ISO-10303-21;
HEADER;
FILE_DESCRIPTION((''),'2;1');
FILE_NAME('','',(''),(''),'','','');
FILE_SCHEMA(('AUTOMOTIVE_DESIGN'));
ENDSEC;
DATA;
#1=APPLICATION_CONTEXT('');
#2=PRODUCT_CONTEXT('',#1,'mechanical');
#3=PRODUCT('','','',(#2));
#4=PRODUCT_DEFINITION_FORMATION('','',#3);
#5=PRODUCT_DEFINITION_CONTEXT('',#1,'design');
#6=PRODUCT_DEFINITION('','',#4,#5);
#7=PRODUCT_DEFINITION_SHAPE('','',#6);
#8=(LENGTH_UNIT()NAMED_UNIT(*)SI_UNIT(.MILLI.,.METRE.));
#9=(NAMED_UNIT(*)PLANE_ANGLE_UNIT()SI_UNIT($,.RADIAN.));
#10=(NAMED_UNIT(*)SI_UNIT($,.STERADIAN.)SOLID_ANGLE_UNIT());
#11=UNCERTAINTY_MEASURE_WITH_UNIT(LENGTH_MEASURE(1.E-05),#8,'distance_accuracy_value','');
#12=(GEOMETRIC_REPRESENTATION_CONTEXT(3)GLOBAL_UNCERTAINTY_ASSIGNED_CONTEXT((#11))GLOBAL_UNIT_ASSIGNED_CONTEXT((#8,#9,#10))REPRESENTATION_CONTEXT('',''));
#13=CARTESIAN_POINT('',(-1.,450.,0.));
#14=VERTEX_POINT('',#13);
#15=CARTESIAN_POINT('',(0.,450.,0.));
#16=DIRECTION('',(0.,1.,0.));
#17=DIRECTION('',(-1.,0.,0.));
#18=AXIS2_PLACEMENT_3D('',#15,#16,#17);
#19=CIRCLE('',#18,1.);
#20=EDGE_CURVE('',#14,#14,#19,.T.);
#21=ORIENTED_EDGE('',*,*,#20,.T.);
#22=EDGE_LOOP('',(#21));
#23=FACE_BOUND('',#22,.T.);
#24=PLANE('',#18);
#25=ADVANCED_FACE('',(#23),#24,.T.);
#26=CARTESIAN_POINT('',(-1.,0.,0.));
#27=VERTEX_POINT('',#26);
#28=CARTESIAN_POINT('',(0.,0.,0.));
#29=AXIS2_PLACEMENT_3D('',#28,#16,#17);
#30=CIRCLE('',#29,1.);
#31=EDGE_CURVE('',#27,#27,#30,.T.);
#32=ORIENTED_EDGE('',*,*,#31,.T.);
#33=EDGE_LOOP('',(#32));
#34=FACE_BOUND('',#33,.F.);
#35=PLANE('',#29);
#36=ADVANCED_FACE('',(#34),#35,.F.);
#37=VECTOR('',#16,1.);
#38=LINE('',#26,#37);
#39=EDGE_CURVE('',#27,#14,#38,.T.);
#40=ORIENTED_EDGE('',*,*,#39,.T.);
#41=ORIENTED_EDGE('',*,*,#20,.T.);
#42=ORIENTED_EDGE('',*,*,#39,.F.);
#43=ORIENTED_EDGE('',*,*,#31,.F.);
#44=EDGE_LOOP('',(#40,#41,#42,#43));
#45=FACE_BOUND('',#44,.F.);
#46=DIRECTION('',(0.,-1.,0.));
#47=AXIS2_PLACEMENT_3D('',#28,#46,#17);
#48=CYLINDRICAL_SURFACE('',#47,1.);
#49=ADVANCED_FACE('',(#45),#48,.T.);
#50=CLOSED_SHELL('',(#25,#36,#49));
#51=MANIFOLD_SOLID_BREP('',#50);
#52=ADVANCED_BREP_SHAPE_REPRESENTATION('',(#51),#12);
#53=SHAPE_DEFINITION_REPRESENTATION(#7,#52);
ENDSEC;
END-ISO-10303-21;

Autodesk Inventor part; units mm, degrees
ref_plane "YZ Plane" through (0, 0, 0) normal (1, 0, 0) x (0, 1, 0)
ref_plane "XZ Plane" through (0, 0, 0) normal (0, 1, 0) x (-1, 0, 0)
ref_plane "XY Plane" through (0, 0, 0) normal (0, 0, 1) x (1, 0, 0)
sketch "Sketch1" plane through (0, 0, 0) normal (0, 1, 0) x (-1, 0, 0)
  circle A0 centre (0, 0) radius 1
  dimension "d0" = 2
extrude "Extrusion1" add sketch "Sketch1" along normal blind 450
properties part number "Manual_Robot_Height_Limit"
